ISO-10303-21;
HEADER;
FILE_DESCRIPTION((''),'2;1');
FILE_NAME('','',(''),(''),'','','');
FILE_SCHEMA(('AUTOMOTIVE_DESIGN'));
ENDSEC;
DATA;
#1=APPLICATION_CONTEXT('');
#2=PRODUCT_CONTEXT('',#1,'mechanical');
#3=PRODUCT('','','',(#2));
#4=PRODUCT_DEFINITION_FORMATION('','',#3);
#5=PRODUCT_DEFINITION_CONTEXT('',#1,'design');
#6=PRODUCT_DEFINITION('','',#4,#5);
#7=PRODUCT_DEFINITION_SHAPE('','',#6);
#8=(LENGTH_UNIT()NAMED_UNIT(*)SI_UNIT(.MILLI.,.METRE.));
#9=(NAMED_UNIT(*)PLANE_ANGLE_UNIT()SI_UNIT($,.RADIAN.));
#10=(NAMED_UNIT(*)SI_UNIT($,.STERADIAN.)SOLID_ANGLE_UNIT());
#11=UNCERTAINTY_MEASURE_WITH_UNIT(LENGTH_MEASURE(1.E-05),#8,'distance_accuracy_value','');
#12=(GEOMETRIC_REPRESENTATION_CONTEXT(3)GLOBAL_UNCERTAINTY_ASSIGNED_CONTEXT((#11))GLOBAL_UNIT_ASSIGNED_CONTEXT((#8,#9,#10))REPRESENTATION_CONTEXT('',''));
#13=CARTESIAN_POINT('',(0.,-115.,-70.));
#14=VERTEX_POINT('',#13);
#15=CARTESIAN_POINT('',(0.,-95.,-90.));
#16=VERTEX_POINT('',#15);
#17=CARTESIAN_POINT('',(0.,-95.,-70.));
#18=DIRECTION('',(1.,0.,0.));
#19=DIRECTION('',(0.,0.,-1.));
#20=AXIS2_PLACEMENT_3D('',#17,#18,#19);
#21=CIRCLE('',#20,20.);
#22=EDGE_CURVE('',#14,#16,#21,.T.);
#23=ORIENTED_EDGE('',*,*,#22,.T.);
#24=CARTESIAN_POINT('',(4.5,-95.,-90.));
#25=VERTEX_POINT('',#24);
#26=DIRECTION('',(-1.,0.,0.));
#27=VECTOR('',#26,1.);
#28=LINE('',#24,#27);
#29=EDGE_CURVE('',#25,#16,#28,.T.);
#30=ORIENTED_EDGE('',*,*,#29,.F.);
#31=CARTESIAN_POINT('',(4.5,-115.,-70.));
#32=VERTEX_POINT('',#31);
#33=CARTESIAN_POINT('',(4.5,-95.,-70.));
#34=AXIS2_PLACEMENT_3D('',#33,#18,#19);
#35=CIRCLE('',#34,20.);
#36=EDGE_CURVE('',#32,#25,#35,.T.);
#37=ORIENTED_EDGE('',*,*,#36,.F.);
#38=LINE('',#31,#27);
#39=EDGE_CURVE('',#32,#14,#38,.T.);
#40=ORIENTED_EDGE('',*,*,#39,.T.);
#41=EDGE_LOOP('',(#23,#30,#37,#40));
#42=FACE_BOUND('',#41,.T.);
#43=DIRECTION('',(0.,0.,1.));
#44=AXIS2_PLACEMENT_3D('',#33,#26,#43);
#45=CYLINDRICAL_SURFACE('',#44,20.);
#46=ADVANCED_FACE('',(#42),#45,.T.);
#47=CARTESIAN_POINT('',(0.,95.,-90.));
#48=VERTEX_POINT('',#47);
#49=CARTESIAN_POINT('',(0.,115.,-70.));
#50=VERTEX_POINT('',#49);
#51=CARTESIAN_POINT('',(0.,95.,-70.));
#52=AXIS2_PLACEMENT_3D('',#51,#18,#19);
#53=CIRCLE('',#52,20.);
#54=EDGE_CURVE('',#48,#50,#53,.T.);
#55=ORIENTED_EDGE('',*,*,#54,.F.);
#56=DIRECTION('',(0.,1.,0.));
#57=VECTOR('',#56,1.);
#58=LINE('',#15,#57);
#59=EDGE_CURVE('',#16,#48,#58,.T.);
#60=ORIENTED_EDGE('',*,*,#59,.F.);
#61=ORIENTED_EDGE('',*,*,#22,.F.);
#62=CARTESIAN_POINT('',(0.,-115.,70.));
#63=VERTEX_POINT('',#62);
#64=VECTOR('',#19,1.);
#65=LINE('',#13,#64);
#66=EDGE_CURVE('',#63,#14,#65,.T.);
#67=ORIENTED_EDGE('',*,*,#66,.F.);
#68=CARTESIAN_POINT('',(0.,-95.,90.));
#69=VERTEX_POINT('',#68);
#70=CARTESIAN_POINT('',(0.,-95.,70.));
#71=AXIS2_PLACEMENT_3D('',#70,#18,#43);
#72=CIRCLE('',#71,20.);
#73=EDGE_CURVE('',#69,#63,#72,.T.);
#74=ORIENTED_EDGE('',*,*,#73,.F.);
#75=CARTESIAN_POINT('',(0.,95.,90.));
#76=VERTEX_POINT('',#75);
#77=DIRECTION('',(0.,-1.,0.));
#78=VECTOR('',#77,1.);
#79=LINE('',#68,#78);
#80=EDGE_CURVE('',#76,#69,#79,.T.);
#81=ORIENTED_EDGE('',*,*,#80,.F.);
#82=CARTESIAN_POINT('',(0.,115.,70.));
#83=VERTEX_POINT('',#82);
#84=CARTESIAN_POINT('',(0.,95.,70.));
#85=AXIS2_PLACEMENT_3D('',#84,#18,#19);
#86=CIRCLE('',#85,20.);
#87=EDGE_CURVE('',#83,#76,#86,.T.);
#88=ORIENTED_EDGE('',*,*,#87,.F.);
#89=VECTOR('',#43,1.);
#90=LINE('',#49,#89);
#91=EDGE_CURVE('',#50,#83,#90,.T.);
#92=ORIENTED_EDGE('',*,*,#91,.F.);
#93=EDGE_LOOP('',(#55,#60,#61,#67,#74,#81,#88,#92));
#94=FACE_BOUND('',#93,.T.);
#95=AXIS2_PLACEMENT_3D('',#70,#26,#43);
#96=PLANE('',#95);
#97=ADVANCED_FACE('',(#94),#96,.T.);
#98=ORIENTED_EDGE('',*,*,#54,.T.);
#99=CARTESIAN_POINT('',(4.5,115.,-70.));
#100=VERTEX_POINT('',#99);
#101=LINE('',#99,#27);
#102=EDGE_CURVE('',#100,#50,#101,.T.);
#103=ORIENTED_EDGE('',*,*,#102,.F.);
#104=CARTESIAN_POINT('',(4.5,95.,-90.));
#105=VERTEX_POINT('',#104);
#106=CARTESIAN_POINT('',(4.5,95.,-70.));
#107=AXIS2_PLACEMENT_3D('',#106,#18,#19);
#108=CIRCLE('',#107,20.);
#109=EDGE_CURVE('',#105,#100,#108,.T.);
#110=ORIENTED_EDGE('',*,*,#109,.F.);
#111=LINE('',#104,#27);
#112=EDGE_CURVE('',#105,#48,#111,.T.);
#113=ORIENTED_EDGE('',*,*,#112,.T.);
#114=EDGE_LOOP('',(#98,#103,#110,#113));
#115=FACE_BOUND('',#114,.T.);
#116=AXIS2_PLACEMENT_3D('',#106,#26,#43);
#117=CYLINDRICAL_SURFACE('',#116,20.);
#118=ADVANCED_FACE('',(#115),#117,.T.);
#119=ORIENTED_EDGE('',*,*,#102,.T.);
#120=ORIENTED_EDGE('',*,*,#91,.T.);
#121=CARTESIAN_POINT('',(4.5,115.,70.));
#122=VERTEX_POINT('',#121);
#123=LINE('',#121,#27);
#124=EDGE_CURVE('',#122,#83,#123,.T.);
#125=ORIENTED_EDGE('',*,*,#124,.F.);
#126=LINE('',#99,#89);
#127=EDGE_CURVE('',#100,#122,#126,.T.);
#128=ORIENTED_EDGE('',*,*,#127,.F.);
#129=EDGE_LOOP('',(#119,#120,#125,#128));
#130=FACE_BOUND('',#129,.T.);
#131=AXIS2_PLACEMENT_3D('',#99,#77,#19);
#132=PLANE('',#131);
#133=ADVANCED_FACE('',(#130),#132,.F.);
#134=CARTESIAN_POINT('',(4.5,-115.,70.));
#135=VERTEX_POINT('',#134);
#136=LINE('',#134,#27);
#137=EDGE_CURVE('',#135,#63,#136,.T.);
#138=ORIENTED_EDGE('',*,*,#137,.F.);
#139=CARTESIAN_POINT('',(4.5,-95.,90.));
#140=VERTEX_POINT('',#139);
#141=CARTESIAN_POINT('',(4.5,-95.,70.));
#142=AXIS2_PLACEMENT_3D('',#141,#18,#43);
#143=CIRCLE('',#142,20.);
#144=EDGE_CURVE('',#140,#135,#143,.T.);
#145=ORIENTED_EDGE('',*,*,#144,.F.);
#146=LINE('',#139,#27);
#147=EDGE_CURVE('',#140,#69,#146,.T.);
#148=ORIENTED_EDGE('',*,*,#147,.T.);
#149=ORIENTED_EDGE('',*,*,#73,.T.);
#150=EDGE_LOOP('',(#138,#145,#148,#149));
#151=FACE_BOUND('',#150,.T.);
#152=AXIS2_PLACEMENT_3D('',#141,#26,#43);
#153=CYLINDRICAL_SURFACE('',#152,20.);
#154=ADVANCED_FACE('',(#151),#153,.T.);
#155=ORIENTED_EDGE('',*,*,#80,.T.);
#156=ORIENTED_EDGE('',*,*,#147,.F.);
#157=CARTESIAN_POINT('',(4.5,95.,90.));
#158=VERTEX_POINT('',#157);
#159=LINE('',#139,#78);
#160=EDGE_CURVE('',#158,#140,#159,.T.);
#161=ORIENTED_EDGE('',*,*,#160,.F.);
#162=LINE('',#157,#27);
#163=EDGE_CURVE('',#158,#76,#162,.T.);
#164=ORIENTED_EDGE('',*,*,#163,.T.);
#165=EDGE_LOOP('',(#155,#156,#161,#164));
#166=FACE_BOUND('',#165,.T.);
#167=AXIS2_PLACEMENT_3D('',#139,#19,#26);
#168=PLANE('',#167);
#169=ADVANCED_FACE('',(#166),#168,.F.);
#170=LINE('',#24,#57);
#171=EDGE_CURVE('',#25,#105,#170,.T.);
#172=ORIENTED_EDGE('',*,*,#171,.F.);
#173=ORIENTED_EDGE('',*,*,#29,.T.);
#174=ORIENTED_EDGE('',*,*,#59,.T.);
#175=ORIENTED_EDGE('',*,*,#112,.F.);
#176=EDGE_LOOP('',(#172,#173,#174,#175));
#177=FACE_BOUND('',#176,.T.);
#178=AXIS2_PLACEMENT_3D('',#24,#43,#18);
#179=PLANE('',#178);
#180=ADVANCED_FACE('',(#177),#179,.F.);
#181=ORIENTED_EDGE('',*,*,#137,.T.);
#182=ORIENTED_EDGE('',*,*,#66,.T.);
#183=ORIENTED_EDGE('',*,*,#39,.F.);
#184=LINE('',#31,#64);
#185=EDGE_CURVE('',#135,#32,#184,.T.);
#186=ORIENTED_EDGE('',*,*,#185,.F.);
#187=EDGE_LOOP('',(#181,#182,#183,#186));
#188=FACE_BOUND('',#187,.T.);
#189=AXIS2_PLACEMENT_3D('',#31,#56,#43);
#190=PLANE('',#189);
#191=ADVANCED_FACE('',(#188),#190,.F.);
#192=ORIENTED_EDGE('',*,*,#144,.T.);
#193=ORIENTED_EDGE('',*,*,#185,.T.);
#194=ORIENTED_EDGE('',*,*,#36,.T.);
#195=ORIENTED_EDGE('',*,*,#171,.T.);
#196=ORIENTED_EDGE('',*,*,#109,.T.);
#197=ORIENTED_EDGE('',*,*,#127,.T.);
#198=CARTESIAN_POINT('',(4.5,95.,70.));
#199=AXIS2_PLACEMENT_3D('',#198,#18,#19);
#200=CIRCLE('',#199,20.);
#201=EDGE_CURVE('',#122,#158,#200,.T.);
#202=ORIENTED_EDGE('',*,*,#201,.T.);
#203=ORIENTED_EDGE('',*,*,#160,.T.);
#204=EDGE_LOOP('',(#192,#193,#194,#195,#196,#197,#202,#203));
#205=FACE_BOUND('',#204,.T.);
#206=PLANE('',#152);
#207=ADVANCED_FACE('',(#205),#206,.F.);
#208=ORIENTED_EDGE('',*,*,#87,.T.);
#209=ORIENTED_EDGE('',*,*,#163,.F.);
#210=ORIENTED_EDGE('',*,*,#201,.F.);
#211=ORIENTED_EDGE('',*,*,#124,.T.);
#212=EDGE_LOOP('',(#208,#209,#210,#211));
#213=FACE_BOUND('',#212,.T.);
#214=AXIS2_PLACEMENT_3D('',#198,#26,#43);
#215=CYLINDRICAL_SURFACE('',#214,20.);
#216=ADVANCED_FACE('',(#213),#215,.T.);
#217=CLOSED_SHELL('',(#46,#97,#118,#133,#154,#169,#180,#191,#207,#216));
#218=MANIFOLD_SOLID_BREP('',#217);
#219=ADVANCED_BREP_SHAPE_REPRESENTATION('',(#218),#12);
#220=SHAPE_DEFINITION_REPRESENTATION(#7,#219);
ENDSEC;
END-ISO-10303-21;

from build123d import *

# Parameters (mm, degrees)
EXTRUDE_1_DEPTH = 4.5


with BuildPart() as part:
    # 草图1 → 凸台-拉伸1 (new body)
    with BuildSketch(Plane(origin=(0, 0, 0), x_dir=(0, 0, -1), z_dir=(1, 0, 0))):
        with BuildLine():
            Line((70, -115), (-70, -115))
            ThreePointArc((-70, -115), (-84.142135624, -109.142135624), (-90, -95))
            Line((-90, -95), (-90, 95))
            ThreePointArc((-90, 95), (-84.142135624, 109.142135624), (-70, 115))
            Line((-70, 115), (70, 115))
            ThreePointArc((70, 115), (84.142135624, 109.142135624), (90, 95))
            Line((90, 95), (90, -95))
            ThreePointArc((90, -95), (84.142135624, -109.142135624), (70, -115))
        make_face()
    extrude(amount=EXTRUDE_1_DEPTH)


solid = part.part
